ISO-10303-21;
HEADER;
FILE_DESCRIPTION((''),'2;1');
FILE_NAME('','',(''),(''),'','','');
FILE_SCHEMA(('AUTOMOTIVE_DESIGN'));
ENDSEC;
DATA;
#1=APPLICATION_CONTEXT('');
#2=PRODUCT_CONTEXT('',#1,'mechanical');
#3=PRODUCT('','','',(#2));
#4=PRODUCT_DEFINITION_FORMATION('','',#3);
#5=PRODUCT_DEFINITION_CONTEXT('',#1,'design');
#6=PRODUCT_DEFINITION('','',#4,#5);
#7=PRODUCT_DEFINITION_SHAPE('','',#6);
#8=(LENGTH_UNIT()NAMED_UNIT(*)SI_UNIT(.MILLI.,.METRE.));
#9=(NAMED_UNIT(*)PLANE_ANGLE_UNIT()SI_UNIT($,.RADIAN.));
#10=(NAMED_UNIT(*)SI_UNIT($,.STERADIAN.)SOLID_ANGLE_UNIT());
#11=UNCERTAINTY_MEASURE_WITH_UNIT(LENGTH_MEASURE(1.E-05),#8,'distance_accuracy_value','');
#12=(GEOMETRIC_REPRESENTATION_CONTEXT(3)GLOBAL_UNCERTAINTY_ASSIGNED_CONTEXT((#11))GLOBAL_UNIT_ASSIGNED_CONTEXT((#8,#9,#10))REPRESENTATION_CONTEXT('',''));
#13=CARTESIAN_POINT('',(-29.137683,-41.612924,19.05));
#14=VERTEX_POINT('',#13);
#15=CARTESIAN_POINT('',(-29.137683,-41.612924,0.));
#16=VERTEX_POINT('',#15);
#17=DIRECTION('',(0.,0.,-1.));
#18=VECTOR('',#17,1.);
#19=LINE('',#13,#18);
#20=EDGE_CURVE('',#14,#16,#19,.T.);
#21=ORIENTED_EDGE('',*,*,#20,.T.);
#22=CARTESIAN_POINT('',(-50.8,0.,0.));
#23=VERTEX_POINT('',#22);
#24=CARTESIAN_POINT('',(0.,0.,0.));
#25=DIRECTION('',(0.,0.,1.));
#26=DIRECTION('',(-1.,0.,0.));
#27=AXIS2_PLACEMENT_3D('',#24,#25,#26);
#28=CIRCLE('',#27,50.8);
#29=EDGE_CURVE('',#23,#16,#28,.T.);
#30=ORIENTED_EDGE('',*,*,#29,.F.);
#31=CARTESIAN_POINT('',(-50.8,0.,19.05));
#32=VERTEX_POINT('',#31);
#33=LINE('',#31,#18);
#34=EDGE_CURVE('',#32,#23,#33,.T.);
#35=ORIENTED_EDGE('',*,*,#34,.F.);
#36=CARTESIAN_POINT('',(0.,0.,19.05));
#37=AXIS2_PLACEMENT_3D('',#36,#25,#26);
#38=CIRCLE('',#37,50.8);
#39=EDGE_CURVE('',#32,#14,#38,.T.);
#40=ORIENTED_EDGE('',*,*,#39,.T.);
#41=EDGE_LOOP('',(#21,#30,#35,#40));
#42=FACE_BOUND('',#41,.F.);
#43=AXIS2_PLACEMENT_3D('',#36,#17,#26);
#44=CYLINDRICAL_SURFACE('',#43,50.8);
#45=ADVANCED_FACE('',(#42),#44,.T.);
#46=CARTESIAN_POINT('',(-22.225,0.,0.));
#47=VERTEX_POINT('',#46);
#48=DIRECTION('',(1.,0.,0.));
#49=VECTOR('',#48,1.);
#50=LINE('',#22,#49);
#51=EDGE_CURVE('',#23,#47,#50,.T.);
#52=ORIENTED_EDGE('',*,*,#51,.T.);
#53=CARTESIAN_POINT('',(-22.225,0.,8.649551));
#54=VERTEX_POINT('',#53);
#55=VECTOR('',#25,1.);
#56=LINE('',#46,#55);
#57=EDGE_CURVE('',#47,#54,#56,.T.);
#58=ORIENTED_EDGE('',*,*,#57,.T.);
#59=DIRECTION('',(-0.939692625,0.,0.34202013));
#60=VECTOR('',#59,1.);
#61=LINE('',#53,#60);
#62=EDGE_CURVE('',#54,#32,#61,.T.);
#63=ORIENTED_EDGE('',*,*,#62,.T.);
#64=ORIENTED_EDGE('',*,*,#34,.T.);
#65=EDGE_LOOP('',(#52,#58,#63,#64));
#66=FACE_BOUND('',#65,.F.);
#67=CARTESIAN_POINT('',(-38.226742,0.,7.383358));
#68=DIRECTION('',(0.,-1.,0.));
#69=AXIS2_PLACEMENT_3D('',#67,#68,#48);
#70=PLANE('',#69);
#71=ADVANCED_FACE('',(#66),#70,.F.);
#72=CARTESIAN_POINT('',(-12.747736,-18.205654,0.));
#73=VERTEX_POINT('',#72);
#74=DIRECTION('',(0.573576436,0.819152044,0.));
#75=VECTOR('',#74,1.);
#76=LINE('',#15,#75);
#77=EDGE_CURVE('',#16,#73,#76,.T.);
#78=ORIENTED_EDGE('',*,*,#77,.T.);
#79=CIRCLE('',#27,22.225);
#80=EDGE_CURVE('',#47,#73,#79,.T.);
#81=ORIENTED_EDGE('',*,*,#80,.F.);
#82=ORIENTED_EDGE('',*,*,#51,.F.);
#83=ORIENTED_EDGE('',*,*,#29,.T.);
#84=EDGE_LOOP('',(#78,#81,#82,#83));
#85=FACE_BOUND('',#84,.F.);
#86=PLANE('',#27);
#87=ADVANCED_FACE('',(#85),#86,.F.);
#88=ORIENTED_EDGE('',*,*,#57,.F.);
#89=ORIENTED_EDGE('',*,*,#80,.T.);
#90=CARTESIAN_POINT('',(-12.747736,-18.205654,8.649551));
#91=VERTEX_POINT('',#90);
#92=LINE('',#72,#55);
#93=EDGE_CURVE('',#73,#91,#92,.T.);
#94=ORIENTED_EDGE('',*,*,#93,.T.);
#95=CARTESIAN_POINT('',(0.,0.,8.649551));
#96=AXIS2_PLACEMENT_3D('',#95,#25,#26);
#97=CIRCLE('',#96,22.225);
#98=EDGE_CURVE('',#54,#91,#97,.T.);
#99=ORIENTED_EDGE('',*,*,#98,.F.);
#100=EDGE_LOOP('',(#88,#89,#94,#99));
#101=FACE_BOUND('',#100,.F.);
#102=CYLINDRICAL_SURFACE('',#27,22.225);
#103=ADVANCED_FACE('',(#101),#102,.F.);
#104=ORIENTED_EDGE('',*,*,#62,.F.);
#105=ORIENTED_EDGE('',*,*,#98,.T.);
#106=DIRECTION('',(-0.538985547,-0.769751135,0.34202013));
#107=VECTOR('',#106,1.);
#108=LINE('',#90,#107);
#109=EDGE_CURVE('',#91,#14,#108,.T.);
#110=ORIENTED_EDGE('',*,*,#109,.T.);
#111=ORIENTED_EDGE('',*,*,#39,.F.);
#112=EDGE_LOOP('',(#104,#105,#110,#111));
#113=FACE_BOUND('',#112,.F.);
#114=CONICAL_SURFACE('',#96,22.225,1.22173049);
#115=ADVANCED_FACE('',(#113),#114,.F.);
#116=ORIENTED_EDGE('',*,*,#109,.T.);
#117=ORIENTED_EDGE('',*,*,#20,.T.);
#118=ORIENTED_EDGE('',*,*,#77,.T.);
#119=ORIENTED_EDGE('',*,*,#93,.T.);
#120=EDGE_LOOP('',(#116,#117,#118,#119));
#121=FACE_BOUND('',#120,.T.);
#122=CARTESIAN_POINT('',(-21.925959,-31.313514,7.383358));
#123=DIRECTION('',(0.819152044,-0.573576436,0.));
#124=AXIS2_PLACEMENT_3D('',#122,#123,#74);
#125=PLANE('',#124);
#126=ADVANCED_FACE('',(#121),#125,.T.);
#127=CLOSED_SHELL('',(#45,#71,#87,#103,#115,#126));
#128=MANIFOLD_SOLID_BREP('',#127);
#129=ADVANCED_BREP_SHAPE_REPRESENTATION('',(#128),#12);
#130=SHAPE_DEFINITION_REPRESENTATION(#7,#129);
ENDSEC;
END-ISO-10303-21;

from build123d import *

# Parameters (mm, degrees)
F1_ANGLE = 55


with BuildPart() as f1:
    # F0 (on Front) → F1 (revolve)
    with BuildSketch(Plane.XZ):
        Polygon((-50.8, 19.05), (-50.8, 0), (-22.225, 0), (-22.225, 8.649551), align=None)
    revolve(axis=Axis((0, 0, 12.632447), (0, 0, 1)), revolution_arc=F1_ANGLE)


solid = f1.part
